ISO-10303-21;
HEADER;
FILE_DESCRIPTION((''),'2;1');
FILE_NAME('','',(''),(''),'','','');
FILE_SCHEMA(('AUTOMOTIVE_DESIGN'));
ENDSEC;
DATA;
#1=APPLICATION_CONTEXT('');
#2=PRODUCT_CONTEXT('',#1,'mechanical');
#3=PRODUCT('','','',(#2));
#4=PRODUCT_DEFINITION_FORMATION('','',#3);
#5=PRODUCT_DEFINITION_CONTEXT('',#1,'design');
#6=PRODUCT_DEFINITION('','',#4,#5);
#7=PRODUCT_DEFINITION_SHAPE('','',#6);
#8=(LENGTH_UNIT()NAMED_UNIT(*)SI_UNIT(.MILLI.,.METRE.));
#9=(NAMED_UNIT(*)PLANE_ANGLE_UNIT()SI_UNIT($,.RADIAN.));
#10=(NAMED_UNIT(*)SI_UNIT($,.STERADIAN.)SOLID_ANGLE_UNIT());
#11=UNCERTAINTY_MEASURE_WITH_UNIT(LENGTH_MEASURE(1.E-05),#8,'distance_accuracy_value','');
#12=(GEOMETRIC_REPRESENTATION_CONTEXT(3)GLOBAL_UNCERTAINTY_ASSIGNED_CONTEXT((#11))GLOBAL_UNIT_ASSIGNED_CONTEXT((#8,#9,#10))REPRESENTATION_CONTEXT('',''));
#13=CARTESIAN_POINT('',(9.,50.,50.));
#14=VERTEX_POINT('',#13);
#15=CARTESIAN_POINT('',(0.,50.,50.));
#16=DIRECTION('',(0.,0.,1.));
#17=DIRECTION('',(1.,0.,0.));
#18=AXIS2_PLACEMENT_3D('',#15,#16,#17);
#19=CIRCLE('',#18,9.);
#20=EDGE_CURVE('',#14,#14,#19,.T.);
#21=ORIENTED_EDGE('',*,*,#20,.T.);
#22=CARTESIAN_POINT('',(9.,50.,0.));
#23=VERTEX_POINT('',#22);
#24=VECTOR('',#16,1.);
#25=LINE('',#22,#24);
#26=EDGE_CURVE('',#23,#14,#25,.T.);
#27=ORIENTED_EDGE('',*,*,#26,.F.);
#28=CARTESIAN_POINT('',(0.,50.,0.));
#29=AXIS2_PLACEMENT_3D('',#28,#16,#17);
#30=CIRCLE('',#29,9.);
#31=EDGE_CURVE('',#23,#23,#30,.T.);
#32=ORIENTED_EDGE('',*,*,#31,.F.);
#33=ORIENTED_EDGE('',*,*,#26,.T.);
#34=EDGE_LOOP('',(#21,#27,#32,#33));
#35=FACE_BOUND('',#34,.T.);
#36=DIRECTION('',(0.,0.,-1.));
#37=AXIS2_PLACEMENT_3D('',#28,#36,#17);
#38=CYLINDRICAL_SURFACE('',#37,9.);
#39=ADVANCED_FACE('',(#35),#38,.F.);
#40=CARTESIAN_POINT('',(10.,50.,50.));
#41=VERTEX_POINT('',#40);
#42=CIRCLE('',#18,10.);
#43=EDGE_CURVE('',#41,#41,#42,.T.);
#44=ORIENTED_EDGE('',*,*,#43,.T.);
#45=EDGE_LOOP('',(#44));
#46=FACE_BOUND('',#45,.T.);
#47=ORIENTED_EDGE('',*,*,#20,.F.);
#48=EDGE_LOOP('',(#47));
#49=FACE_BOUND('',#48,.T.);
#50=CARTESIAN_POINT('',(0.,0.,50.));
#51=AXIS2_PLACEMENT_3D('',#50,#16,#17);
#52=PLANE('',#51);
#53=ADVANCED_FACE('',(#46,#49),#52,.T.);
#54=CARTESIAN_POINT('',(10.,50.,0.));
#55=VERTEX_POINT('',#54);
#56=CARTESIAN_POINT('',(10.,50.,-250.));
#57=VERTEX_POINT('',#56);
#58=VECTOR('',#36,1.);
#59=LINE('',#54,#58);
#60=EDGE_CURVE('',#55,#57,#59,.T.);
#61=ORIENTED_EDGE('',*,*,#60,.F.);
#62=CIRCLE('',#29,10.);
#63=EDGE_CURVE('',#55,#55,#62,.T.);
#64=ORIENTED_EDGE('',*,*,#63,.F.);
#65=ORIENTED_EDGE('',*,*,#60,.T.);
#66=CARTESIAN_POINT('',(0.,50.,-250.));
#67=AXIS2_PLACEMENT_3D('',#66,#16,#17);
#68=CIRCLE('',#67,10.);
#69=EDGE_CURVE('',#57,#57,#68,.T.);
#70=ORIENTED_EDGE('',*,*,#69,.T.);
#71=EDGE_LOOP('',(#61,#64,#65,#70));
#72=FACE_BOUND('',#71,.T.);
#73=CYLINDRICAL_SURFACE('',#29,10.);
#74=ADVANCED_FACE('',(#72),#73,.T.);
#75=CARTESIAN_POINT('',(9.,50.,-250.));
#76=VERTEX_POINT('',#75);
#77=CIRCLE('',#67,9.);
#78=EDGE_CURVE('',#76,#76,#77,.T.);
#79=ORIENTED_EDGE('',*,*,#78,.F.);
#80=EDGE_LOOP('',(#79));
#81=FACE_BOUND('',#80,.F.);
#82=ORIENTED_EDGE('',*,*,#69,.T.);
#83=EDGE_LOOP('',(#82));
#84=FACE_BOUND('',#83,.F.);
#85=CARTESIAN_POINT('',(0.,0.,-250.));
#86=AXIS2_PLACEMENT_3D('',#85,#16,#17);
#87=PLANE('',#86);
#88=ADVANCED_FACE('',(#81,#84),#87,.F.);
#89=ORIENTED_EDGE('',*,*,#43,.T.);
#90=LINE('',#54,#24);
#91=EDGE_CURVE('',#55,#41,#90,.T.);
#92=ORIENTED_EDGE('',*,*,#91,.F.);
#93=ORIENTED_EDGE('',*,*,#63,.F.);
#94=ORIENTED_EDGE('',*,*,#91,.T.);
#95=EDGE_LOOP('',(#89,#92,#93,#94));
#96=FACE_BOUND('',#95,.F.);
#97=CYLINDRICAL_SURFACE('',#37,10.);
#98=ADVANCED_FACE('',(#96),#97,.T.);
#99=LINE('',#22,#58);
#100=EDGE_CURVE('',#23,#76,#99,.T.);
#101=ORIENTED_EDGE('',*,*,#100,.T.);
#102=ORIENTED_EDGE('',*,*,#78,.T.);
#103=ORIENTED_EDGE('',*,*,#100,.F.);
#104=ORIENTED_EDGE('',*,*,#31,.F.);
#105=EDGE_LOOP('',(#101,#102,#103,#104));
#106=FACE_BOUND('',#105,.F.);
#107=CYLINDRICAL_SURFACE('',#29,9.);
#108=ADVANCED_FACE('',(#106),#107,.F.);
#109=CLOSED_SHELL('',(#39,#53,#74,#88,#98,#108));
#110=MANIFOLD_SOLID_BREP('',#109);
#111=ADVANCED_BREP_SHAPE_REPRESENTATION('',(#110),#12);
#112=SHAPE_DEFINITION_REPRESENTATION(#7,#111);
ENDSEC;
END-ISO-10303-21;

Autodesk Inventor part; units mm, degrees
ref_plane "YZ Plane" through (0, 0, 0) normal (1, 0, 0) x (0, 1, 0)
ref_plane "XZ Plane" through (0, 0, 0) normal (0, 1, 0) x (-1, 0, 0)
ref_plane "XY Plane" through (0, 0, 0) normal (0, 0, 1) x (1, 0, 0)
sketch "Sketch1" plane through (0, 0, 0) normal (0, 0, 1) x (1, 0, 0)
  circle A0 centre (0, 50) radius 18.5 projected
  circle A1 centre (0, 50) radius 18.5 projected
  circle A2 centre (0, 50) radius 18.5 projected
  circle A3 centre (0, 50) radius 21.5 projected
  circle A4 centre (0, 50) radius 18.5 projected
  circle A5 centre (0, 50) radius 10
  circle A6 centre (0, 50) radius 9
  point P0 (0, 0)
  dimension "d0" = 20
  dimension "d5" = 18
extrude "Extrusion1" add sketch "Sketch1" along normal blind 50 and the other way blind 250 contours A5
sketch "Sketch2" plane through (0, 50, -250) normal (0, 0, -1) x (-1, 0, 0)
  point P0 (0, -50)
properties part number "wal"
